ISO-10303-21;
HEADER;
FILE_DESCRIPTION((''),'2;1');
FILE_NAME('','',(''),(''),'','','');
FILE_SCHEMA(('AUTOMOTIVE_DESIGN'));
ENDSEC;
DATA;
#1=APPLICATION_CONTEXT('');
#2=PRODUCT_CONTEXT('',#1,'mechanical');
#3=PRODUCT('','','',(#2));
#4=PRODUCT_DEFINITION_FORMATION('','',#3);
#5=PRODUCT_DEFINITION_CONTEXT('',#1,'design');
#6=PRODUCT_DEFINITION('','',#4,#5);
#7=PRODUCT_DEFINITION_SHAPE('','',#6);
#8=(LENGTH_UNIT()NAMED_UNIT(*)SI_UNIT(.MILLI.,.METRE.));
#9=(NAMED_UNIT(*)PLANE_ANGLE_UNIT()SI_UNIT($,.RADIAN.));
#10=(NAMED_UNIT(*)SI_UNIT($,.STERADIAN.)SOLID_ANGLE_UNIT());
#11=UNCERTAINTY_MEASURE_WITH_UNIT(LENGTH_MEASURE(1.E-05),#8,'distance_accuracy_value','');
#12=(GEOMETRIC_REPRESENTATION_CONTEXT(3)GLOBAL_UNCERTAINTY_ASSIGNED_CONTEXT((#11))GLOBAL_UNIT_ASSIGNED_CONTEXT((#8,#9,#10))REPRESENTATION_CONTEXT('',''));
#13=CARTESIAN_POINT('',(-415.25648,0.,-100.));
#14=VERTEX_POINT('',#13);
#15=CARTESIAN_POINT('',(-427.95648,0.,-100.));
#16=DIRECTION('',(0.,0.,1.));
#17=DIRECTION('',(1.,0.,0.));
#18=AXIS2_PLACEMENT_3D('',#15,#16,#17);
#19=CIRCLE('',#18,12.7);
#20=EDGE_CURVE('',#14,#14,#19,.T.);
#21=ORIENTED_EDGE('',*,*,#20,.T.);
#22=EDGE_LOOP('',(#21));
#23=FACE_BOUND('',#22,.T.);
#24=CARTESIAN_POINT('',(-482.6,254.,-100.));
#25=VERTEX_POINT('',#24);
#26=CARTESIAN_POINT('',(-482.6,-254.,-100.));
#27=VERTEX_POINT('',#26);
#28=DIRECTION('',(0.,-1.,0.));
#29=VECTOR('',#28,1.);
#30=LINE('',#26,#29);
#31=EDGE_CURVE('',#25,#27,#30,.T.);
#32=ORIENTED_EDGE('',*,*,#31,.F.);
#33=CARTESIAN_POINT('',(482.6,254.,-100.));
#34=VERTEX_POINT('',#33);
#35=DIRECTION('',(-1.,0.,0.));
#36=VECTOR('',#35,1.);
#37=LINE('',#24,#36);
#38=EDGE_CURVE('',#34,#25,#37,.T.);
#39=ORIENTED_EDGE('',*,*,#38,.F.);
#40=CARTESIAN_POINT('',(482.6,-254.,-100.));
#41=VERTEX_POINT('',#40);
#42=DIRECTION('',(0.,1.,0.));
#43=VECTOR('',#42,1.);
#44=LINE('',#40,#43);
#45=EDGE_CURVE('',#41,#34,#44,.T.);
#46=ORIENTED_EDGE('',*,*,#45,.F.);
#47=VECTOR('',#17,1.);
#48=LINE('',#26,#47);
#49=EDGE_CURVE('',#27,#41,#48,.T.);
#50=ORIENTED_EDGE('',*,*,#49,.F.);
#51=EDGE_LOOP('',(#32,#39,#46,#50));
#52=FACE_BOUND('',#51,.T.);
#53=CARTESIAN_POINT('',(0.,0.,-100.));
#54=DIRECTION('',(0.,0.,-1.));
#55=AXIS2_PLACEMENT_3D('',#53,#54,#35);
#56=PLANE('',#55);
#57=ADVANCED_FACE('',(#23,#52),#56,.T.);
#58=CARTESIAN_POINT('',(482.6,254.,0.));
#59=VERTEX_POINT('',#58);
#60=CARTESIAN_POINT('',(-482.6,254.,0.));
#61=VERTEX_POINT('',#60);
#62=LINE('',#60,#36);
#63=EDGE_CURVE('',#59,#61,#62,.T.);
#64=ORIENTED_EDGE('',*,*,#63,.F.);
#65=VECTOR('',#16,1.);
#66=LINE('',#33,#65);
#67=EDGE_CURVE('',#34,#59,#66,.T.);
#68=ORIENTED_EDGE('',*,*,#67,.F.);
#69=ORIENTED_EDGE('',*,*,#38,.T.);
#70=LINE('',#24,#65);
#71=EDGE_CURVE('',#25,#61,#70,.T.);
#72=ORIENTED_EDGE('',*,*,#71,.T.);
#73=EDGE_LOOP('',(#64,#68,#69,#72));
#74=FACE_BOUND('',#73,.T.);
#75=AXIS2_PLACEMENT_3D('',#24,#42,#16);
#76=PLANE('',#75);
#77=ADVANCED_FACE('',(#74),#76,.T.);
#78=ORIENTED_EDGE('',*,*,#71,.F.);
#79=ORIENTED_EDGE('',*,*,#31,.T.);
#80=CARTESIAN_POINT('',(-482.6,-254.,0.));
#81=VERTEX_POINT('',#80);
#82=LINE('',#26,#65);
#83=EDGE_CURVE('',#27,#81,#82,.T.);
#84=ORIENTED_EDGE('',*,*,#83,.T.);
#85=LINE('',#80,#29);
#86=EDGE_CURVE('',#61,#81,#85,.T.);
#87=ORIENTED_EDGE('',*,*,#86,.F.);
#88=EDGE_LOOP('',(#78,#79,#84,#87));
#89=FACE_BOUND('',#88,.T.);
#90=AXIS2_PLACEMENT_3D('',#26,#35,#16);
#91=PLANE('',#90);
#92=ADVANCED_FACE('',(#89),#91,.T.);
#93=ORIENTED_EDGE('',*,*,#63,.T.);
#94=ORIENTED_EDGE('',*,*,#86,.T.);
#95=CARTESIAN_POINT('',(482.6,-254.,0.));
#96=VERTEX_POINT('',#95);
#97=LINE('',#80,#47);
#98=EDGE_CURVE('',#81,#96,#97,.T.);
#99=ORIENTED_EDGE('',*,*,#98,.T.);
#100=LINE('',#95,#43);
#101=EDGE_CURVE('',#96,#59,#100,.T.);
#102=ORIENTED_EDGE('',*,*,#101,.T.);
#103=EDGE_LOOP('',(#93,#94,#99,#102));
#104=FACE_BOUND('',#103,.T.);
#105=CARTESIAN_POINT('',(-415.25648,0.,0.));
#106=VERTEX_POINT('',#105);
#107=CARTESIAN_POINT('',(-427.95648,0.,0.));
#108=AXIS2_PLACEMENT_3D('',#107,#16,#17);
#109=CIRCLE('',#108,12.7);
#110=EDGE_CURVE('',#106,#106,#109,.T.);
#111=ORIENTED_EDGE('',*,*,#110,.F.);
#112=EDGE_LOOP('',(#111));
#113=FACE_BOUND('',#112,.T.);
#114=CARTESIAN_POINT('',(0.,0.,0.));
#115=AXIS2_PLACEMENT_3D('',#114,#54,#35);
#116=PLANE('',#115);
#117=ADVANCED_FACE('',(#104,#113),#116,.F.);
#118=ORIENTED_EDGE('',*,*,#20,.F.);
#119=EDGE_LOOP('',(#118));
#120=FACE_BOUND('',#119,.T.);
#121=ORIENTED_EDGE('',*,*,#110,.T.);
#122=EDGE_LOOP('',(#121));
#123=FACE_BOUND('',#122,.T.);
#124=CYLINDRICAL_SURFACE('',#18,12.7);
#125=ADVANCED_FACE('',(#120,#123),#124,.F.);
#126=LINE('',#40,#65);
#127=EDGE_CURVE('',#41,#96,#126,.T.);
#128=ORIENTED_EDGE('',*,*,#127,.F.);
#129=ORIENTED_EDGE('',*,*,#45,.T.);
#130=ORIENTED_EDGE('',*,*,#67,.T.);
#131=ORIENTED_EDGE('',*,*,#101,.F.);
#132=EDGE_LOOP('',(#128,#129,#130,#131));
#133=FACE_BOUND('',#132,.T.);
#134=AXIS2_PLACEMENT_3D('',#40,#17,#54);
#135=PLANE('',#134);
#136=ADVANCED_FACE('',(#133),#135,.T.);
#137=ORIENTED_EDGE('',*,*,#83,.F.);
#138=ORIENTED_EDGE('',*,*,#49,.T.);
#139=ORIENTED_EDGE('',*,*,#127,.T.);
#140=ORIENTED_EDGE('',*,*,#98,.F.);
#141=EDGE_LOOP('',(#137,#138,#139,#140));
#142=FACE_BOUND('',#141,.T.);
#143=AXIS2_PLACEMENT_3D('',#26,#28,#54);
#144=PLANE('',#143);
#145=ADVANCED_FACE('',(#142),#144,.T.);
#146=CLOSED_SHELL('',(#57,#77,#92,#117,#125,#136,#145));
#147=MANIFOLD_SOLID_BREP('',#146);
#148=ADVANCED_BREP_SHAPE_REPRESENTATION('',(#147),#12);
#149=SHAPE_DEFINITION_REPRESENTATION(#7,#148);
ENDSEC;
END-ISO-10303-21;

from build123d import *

# Parameters (mm, degrees)
SKETCH1_W               = 965.2
SKETCH1_H               = 508
BOSS_EXTRUDE1_DEPTH     = 100
CUT_EXTRUDE1_DEPTH      = 555.453568841
CUT_EXTRUDE1_DEPTH_BACK = 555.453568841
SKETCH2_R               = 12.7


with BuildPart() as part:
    # Sketch1 → Boss-Extrude1 (new body)
    with BuildSketch(Plane.XY):
        Rectangle(SKETCH1_W, SKETCH1_H)
    extrude(amount=-BOSS_EXTRUDE1_DEPTH)

    # Sketch2 → Cut-Extrude1 (cut, two sides: drawn at the far end of the back side and taken through both)
    with BuildSketch(Plane.XY.offset(-CUT_EXTRUDE1_DEPTH_BACK)):
        with Locations((-427.956480022, 0)):
            Circle(SKETCH2_R)
    extrude(amount=CUT_EXTRUDE1_DEPTH + CUT_EXTRUDE1_DEPTH_BACK, mode=Mode.SUBTRACT)


solid = part.part
